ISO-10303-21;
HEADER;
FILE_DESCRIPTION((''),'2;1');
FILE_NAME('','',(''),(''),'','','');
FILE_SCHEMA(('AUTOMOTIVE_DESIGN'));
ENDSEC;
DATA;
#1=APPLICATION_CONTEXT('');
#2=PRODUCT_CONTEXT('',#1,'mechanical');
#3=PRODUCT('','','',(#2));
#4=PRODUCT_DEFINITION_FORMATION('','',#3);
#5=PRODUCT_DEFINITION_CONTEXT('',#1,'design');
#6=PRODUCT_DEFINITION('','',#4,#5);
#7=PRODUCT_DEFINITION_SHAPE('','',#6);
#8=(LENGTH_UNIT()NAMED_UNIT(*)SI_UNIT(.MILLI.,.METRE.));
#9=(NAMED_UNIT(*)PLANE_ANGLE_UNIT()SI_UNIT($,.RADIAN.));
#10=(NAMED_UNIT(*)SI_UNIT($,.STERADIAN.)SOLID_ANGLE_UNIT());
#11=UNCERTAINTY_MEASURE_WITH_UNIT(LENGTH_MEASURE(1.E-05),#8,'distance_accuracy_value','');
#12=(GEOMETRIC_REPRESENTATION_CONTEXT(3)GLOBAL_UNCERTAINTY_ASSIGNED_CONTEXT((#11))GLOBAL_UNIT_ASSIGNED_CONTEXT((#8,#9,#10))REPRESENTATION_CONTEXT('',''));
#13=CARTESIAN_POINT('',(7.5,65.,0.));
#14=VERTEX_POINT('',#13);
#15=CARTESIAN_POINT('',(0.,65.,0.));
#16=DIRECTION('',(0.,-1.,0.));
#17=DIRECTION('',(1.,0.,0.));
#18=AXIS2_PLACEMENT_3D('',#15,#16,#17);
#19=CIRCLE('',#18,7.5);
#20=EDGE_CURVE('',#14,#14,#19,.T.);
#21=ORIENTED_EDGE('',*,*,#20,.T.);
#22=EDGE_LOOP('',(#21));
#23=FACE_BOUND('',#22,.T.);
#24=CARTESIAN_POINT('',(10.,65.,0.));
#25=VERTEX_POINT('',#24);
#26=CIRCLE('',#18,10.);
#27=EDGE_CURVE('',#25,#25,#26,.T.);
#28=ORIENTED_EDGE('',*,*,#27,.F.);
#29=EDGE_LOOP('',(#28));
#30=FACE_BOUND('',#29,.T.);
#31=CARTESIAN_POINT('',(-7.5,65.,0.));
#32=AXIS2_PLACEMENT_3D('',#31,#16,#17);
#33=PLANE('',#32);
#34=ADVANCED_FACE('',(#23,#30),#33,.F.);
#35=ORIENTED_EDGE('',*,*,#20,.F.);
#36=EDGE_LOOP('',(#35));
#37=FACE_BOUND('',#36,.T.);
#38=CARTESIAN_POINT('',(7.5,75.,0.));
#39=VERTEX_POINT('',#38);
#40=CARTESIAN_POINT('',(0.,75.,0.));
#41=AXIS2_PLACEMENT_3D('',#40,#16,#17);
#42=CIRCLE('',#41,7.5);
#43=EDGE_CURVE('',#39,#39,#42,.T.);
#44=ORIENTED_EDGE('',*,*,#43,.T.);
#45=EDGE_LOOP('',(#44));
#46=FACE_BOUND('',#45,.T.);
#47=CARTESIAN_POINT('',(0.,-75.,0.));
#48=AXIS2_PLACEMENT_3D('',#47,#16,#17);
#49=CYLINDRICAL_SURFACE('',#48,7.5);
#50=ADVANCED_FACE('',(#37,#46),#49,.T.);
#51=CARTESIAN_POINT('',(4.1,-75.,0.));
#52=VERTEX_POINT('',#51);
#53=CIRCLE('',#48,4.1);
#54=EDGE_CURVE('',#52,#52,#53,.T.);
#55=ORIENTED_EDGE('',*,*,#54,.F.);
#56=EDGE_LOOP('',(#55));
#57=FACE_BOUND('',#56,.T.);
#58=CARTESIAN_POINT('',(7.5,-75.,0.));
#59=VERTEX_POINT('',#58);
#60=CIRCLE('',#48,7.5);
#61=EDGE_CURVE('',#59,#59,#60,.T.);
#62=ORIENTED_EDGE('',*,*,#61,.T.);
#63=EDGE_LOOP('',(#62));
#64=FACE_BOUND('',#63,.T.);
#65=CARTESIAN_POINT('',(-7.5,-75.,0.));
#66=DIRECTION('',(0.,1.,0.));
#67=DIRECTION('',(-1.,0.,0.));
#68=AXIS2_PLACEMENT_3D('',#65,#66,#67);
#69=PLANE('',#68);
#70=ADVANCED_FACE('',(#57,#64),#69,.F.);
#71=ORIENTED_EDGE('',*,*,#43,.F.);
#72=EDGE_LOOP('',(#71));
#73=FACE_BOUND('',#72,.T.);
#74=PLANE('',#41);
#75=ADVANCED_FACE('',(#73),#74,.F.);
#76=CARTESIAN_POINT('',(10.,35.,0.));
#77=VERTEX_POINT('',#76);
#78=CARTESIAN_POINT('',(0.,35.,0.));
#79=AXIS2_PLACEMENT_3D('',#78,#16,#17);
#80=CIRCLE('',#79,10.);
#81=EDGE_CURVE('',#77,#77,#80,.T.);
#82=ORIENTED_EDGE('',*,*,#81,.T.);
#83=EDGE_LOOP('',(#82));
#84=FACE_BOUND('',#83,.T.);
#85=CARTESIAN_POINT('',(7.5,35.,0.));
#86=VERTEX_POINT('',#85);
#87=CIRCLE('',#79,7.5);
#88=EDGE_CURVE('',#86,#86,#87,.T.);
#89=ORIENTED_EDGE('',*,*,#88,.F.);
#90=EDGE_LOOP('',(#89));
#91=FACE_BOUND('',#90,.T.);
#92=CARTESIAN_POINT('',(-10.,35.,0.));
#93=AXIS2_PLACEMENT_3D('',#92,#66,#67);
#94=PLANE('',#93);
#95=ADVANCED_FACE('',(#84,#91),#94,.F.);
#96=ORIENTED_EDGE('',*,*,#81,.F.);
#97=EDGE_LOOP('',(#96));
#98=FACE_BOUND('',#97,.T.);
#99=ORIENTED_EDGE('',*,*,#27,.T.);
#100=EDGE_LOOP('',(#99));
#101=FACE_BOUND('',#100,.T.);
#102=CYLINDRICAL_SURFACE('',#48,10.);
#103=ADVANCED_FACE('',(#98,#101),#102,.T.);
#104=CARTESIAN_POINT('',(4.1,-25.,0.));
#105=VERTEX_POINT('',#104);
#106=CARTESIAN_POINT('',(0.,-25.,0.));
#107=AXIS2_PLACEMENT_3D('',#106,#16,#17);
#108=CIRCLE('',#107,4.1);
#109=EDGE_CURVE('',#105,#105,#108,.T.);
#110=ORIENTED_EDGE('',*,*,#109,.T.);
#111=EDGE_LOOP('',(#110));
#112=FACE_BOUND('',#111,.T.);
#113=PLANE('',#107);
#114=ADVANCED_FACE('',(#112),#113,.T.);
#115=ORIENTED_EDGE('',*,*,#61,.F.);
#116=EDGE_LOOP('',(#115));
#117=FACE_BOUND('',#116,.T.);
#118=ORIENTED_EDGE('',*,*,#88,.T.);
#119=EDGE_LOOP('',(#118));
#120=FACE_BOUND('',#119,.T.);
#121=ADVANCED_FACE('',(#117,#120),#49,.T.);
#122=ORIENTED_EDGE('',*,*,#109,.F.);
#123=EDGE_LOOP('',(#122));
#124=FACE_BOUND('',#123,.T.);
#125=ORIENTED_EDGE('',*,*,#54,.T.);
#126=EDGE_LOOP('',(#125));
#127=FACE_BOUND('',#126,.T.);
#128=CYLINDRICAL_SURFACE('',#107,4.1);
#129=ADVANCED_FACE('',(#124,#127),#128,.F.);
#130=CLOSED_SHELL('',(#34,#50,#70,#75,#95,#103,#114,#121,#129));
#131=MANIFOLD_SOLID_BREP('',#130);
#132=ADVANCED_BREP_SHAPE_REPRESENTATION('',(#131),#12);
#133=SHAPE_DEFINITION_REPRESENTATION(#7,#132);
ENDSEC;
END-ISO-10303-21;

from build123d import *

# Parameters (mm, degrees)
SKETCH2_R          = 4.1
CUT_EXTRUDE1_DEPTH = 50


with BuildPart() as part:
    # Sketch1 → Revolve1 (revolve)
    with BuildSketch(Plane.XY, mode=Mode.PRIVATE) as revolve1_sk:
        Polygon((0, -75), (0, 75), (-7.5, 75), (-7.5, 65), (-10, 65), (-10, 35), (-7.5, 35), (-7.5, -75), align=None)
    revolve(revolve1_sk.sketch.rotate(Axis((0, -75, 0), (0, 1, 0)), 180), axis=Axis((0, -75, 0), (0, 1, 0)))

    # Sketch2 → Cut-Extrude1 (cut)
    with BuildSketch(Plane.XZ.offset(75)):
        Circle(SKETCH2_R)
    extrude(amount=-CUT_EXTRUDE1_DEPTH, mode=Mode.SUBTRACT)


solid = part.part
